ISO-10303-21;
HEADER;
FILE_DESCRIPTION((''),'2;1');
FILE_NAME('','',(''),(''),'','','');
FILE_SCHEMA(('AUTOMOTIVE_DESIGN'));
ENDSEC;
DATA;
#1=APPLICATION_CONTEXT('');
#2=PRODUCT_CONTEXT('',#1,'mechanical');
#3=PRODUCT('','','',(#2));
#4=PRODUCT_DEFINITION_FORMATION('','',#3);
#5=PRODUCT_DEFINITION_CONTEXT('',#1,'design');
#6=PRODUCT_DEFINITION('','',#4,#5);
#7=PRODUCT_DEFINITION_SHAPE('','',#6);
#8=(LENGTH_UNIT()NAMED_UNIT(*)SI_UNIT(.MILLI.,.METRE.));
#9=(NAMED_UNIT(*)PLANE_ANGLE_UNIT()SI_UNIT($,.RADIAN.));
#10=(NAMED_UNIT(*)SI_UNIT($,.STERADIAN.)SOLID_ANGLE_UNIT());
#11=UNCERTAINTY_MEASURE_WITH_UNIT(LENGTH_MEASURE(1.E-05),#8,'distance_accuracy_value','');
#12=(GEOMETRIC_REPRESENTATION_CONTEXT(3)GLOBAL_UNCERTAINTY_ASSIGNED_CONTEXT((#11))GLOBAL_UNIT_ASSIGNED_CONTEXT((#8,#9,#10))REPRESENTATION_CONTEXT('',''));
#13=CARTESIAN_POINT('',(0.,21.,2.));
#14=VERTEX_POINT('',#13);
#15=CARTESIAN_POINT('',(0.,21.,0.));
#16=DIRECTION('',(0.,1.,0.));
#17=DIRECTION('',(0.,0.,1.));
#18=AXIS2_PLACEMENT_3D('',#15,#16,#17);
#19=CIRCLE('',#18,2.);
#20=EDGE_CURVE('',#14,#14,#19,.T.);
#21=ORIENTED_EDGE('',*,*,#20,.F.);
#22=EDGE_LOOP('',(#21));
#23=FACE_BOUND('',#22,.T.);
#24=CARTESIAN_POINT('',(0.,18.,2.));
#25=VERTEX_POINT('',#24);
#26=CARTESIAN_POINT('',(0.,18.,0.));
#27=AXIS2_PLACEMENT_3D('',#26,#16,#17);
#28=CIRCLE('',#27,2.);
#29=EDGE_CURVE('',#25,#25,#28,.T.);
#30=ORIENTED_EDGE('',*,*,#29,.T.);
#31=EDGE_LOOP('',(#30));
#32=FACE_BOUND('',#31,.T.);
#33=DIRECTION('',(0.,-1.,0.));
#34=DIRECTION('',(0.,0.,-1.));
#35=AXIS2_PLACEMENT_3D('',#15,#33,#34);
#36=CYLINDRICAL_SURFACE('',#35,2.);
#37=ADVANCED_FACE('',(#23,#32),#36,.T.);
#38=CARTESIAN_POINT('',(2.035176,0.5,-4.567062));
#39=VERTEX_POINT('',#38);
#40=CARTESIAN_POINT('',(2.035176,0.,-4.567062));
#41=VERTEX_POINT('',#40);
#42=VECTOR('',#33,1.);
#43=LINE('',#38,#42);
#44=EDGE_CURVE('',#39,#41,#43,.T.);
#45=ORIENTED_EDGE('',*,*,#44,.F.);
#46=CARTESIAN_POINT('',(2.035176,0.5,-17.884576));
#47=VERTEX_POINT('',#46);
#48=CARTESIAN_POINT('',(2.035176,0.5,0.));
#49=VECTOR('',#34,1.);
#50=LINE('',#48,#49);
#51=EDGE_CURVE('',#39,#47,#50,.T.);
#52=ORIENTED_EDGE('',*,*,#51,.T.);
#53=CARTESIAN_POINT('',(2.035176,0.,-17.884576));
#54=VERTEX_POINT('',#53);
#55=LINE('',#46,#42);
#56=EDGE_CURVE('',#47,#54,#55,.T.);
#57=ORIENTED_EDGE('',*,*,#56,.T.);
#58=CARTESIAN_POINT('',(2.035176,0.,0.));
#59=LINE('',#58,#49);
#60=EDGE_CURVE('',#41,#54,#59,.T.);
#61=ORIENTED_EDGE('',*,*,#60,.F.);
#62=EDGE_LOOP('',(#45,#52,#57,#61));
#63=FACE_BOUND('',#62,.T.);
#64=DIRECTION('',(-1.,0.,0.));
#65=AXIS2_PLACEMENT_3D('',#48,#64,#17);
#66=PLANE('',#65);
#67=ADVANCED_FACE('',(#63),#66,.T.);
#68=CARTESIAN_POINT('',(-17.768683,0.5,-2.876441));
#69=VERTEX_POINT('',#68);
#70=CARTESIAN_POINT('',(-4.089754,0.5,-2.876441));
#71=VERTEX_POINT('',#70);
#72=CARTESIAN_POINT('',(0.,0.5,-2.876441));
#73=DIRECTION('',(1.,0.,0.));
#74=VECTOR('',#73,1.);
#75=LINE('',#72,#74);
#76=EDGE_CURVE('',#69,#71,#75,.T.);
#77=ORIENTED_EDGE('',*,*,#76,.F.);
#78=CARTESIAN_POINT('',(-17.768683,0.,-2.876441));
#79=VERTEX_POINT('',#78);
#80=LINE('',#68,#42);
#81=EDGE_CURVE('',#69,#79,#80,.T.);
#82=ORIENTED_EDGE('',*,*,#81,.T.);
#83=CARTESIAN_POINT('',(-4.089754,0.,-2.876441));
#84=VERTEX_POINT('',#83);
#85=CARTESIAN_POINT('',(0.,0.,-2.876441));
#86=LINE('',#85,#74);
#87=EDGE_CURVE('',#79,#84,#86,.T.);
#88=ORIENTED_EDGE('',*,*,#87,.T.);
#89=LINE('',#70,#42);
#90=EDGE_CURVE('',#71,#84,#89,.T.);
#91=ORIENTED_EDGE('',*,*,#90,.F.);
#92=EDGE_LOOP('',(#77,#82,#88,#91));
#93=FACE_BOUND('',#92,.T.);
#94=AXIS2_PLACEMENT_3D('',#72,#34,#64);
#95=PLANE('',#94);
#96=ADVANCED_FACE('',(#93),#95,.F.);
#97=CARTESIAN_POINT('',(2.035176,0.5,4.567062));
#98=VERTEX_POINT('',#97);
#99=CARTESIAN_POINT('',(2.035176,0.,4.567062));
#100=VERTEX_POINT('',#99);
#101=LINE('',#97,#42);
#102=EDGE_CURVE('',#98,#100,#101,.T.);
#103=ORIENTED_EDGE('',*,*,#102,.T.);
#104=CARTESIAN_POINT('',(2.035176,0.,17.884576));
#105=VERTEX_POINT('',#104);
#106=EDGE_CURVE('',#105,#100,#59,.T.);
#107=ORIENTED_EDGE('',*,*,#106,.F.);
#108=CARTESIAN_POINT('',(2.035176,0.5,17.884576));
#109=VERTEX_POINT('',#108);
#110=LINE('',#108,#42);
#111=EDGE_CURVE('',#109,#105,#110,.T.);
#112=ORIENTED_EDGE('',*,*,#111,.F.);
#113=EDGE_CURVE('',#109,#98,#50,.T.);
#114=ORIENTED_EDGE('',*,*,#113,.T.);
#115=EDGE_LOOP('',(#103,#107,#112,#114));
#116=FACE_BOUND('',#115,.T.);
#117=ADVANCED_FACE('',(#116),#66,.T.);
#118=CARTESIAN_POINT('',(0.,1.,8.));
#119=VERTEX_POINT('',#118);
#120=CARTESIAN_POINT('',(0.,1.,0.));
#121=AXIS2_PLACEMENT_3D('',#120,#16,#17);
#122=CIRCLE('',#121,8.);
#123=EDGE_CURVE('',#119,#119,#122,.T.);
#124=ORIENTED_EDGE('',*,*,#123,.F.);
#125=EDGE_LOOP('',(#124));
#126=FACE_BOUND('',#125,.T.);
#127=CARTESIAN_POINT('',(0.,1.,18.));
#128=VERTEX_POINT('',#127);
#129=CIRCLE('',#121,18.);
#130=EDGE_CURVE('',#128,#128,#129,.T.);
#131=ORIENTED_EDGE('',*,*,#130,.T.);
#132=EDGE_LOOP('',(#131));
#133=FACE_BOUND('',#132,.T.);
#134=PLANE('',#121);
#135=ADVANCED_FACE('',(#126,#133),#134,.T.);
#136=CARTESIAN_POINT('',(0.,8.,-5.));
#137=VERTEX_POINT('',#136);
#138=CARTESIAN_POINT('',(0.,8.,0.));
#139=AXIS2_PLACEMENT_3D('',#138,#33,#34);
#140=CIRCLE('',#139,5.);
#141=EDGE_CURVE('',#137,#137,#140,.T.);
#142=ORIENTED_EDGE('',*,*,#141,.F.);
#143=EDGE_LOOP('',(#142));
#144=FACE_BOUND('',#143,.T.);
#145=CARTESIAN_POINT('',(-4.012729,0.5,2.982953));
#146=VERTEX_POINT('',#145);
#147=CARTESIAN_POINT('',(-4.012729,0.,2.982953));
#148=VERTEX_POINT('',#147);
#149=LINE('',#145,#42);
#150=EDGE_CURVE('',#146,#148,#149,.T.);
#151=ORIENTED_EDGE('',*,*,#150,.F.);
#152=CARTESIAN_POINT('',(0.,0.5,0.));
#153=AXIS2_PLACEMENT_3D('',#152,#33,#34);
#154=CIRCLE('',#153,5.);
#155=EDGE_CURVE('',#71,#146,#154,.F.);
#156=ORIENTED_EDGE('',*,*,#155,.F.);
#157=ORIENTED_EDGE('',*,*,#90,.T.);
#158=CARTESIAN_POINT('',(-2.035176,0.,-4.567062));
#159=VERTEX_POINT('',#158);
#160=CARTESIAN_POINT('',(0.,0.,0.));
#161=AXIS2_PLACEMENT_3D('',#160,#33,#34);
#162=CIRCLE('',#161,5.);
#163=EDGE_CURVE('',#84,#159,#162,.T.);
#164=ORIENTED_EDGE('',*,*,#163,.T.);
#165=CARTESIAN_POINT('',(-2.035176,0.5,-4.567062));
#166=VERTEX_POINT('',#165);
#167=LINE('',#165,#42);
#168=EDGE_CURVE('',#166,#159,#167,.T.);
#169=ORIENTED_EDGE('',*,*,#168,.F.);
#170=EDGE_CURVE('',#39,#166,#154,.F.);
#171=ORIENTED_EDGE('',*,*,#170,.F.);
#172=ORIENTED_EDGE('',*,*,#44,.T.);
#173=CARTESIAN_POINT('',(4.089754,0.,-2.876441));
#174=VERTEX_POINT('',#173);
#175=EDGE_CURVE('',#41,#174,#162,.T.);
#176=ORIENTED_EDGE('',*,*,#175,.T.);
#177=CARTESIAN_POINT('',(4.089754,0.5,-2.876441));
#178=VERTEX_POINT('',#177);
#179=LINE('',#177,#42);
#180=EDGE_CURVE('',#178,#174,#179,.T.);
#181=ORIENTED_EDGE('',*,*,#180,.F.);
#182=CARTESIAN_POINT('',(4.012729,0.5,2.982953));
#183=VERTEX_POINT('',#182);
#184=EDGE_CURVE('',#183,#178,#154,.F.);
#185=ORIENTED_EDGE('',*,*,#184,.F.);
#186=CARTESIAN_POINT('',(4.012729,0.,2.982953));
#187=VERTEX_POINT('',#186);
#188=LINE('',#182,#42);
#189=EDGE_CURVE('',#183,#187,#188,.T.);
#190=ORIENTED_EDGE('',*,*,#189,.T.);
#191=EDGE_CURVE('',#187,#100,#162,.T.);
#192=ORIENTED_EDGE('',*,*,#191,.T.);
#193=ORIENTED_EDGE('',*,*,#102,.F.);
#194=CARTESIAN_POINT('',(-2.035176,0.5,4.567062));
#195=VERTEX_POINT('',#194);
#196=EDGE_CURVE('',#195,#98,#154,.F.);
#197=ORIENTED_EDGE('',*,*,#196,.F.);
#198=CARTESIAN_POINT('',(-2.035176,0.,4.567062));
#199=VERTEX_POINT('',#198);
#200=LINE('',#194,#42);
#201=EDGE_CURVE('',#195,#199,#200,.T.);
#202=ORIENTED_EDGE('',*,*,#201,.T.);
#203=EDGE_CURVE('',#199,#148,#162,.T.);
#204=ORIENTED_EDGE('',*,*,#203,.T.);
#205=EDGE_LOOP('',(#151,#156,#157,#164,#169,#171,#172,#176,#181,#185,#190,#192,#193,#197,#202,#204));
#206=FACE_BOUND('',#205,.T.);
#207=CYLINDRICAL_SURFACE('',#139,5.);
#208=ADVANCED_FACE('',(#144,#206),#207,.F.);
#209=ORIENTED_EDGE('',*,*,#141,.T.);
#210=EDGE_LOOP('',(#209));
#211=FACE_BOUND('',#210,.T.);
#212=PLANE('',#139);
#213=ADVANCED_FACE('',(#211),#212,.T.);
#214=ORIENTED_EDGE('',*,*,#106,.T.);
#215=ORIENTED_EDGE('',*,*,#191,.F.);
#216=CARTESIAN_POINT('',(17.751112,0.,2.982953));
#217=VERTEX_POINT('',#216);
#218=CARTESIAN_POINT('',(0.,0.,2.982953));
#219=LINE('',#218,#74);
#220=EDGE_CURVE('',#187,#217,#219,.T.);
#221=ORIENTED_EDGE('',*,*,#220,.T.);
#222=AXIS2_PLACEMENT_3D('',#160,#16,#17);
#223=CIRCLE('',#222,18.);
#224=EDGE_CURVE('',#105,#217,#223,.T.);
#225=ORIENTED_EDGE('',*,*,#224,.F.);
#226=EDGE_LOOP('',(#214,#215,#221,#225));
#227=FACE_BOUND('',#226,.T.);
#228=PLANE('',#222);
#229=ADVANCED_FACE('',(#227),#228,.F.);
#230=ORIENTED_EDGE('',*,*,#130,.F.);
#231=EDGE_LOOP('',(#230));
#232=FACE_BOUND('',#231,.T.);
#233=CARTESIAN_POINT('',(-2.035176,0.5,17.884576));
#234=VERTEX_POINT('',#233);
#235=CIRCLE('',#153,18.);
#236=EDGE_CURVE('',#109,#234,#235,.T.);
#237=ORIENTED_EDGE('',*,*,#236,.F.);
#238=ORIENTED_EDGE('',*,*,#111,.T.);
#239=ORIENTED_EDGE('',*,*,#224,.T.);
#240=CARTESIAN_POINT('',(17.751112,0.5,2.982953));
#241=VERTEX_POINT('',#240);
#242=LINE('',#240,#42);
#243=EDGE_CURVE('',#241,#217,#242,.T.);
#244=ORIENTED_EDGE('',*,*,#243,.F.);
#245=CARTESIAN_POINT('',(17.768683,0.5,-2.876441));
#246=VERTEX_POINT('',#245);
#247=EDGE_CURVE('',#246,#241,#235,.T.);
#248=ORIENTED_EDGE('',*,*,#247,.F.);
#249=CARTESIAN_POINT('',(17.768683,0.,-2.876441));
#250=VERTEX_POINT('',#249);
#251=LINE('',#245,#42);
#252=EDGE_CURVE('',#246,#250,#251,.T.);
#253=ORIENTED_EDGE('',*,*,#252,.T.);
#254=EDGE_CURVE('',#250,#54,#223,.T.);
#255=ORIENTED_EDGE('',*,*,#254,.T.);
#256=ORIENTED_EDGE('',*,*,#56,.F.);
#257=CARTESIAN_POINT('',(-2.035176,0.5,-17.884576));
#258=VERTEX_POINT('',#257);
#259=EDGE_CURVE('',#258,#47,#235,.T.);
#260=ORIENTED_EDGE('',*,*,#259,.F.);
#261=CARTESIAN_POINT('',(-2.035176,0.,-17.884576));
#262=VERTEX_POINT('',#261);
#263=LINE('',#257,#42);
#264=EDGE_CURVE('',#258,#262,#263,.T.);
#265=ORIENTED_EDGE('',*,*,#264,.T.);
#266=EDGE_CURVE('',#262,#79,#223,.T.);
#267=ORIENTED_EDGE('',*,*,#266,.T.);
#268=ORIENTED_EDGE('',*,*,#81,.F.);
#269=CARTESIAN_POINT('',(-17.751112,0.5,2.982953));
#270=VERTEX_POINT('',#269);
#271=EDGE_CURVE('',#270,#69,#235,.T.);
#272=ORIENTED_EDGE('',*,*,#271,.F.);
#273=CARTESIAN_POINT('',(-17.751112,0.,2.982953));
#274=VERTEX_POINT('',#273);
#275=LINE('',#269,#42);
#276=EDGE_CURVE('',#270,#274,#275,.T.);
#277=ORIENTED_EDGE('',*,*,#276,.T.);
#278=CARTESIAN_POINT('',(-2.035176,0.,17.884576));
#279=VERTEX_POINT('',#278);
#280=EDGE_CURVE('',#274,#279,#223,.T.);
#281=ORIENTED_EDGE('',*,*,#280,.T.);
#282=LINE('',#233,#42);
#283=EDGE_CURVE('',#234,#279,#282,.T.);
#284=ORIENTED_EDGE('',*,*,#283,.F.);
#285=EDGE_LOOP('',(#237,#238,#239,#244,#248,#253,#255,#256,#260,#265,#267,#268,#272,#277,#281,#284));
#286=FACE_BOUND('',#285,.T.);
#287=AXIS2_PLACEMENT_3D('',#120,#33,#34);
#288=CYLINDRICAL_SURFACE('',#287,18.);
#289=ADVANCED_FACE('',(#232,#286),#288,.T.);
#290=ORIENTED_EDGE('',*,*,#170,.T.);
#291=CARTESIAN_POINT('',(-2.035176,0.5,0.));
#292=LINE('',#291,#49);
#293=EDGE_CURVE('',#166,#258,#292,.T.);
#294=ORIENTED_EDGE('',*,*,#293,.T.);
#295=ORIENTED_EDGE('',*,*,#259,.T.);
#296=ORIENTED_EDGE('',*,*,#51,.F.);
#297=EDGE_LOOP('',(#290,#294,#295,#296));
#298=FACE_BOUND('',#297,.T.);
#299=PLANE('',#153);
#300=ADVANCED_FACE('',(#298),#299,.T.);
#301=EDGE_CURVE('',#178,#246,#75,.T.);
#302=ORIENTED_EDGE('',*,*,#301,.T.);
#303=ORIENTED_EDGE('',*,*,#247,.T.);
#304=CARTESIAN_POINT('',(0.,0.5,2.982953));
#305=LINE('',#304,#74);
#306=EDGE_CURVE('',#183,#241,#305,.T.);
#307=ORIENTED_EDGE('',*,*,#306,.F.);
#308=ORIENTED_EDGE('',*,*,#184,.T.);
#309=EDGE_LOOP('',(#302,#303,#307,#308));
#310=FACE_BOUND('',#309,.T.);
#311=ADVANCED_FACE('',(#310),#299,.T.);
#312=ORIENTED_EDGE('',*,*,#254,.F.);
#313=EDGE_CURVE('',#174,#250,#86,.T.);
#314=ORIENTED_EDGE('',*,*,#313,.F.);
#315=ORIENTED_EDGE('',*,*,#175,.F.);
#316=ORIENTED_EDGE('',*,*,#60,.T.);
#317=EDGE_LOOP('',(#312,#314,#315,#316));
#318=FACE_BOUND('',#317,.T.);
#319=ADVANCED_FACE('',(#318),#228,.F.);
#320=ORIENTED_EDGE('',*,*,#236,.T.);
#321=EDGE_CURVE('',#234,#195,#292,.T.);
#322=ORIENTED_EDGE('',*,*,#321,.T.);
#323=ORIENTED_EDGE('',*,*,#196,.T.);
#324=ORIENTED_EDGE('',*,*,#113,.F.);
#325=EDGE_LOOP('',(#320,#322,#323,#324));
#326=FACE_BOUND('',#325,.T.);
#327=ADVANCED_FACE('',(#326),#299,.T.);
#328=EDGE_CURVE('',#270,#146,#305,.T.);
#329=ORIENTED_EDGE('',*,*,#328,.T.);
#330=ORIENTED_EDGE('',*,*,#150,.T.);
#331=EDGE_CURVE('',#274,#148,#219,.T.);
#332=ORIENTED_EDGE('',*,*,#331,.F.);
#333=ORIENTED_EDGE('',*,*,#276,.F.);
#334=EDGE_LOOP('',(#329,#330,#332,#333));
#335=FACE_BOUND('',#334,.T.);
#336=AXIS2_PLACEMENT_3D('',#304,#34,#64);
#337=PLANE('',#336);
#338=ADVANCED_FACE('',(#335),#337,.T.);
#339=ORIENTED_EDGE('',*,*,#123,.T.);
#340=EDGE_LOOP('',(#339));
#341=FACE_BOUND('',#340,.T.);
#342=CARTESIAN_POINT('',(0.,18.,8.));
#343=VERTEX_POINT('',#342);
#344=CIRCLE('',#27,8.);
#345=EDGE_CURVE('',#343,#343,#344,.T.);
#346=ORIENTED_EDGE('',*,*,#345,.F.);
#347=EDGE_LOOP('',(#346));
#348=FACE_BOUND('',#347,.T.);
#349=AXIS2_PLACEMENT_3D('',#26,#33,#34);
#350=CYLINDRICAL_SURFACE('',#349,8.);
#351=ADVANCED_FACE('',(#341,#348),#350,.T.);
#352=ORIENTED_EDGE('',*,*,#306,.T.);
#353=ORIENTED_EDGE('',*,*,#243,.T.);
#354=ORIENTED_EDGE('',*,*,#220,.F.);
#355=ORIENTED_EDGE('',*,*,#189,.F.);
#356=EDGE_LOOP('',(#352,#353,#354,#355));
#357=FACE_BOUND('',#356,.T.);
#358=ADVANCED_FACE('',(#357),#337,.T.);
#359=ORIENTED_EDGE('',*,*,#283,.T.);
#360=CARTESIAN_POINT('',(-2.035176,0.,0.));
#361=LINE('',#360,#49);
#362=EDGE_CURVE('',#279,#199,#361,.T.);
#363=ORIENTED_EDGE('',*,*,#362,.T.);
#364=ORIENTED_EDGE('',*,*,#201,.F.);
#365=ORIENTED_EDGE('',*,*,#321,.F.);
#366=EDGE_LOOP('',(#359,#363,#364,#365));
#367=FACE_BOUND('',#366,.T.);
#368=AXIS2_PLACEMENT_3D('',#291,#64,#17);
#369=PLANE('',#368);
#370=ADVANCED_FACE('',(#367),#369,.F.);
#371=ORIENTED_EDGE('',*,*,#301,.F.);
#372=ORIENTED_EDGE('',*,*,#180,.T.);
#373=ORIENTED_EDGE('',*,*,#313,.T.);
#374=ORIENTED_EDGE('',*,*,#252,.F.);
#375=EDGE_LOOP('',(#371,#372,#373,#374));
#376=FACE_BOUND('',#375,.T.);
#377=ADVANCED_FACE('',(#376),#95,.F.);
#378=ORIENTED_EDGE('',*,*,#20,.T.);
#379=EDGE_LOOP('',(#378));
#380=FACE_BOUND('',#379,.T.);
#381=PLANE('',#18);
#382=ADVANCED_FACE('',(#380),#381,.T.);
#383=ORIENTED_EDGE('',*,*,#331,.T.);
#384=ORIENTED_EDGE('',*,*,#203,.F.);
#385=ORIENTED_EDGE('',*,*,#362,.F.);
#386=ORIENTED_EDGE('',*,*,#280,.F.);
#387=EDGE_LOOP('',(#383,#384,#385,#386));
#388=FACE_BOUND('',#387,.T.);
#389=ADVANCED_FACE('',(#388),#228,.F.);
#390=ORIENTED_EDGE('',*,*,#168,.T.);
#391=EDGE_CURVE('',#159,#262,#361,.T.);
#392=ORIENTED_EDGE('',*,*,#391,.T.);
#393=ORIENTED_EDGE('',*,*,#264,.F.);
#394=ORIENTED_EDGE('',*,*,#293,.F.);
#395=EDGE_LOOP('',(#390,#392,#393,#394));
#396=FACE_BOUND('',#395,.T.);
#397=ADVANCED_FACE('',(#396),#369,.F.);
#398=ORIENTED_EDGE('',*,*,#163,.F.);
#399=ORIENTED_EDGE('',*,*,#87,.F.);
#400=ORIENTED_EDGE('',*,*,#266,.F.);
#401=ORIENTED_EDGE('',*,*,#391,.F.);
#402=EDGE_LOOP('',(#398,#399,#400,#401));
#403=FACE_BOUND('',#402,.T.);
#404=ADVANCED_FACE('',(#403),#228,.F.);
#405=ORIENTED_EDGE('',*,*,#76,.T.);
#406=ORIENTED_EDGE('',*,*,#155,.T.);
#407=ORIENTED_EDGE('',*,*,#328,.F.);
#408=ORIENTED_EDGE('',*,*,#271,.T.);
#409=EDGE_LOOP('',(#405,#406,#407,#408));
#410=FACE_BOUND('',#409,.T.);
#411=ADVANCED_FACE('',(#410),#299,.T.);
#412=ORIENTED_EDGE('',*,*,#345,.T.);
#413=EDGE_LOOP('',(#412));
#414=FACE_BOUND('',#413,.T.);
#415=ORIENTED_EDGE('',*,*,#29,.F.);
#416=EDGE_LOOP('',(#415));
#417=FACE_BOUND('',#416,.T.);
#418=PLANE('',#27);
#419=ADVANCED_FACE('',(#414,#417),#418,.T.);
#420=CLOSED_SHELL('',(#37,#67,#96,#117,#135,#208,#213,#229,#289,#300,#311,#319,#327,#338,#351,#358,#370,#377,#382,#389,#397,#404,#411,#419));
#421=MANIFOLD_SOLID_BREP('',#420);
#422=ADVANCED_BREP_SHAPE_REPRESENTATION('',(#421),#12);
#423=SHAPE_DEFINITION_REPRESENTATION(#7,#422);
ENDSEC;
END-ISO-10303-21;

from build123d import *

# Parameters (mm, degrees)
SKETCH_1_R          = 18
EXTRUDE_1_DEPTH     = 1
SKETCH_2_R          = 8
EXTRUDE_2_DEPTH     = 17
SKETCH_3_R          = 2
EXTRUDE_3_DEPTH     = 3
SKETCH_4_R          = 5
CUT_EXTRUDE_1_DEPTH = 8
SKETCH_5_W          = 4.070351758
SKETCH_5_H          = 5.859394111
CUT_EXTRUDE_2_DEPTH = 0.5


with BuildPart() as part:
    # Эскиз1 → Бобышка-Вытянуть1 (new body)
    with BuildSketch(Plane(origin=(0, 0, 0), x_dir=(1, 0, 0), z_dir=(0, 1, 0))):
        with Locations(Location((0, 0, 0), (0, 0, 270))):
            Circle(SKETCH_1_R)
    extrude(amount=EXTRUDE_1_DEPTH)

    # Эскиз2 → Бобышка-Вытянуть2 (add)
    with BuildSketch(Plane(origin=(0, 1, 0), x_dir=(1, 0, 0), z_dir=(0, 1, 0))):
        with Locations(Location((0, 0, 0), (0, 0, 270))):
            Circle(SKETCH_2_R)
    extrude(amount=EXTRUDE_2_DEPTH)

    # Эскиз3 → Бобышка-Вытянуть3 (add)
    with BuildSketch(Plane(origin=(0, 18, 0), x_dir=(1, 0, 0), z_dir=(0, 1, 0))):
        with Locations(Location((0, 0, 0), (0, 0, 270))):
            Circle(SKETCH_3_R)
    extrude(amount=EXTRUDE_3_DEPTH)

    # Эскиз4 → Вырез-Вытянуть1 (cut)
    with BuildSketch(Plane.XZ):
        with Locations(Location((0, 0, 0), (0, 0, 270))):
            Circle(SKETCH_4_R)
    extrude(amount=-CUT_EXTRUDE_1_DEPTH, mode=Mode.SUBTRACT)

    # Эскиз5 → Вырез-Вытянуть2 (cut)
    with BuildSketch(Plane.XZ):
        with BuildLine():
            Line((-4.012728592, 2.982953109), (-17.751112381, 2.982953109))
            ThreePointArc((-17.751112381, 2.982953109), (-17.937670178, 1.496659138), (-18, 0))
            ThreePointArc((-18, 0), (-17.942077496, -1.442863516), (-17.768682764, -2.876441002))
            Line((-17.768682764, -2.876441002), (-4.089753924, -2.876441002))
            ThreePointArc((-4.089753924, -2.876441002), (-4.999568038, 0.065722391), (-4.012728592, 2.982953109))
        make_face()
        with BuildLine():
            ThreePointArc((18, 0), (17.937670178, 1.496659138), (17.751112381, 2.982953109))
            Line((17.751112381, 2.982953109), (4.012728592, 2.982953109))
            ThreePointArc((4.012728592, 2.982953109), (4.746769584, 1.571043768), (5, 0))
            ThreePointArc((5, 0), (4.767010049, -1.508514232), (4.089753924, -2.876441002))
            Line((4.089753924, -2.876441002), (17.768682764, -2.876441002))
            ThreePointArc((17.768682764, -2.876441002), (17.942077496, -1.442863516), (18, 0))
        make_face()
        with BuildLine():
            Line((-2.035175879, -2.876441002), (-2.035175879, 2.982953109))
            Line((-2.035175879, 2.982953109), (-4.012728592, 2.982953109))
            ThreePointArc((-4.012728592, 2.982953109), (-4.999568038, 0.065722391), (-4.089753924, -2.876441002))
            Line((-4.089753924, -2.876441002), (-2.035175879, -2.876441002))
        make_face()
        with BuildLine():
            Line((4.012728592, 2.982953109), (2.035175879, 2.982953109))
            Line((2.035175879, 2.982953109), (2.035175879, -2.876441002))
            Line((2.035175879, -2.876441002), (4.089753924, -2.876441002))
            ThreePointArc((4.089753924, -2.876441002), (4.767010049, -1.508514232), (5, 0))
            ThreePointArc((5, 0), (4.746769584, 1.571043768), (4.012728592, 2.982953109))
        make_face()
        with BuildLine():
            ThreePointArc((4.012728592, 2.982953109), (3.125961884, 3.902353431), (2.035175879, 4.567062419))
            Line((2.035175879, 4.567062419), (2.035175879, 2.982953109))
            Line((2.035175879, 2.982953109), (4.012728592, 2.982953109))
        make_face()
        with BuildLine():
            ThreePointArc((2.035175879, 4.567062419), (0, 5), (-2.035175879, 4.567062419))
            Line((-2.035175879, 4.567062419), (-2.035175879, 2.982953109))
            Line((-2.035175879, 2.982953109), (2.035175879, 2.982953109))
            Line((2.035175879, 2.982953109), (2.035175879, 4.567062419))
        make_face()
        with BuildLine():
            ThreePointArc((2.035175879, 17.884576012), (1.019223179, 17.971120836), (0, 18))
            ThreePointArc((0, 18), (-1.019223179, 17.971120836), (-2.035175879, 17.884576012))
            Line((-2.035175879, 17.884576012), (-2.035175879, 4.567062419))
            ThreePointArc((-2.035175879, 4.567062419), (0, 5), (2.035175879, 4.567062419))
            Line((2.035175879, 4.567062419), (2.035175879, 17.884576012))
        make_face()
        with BuildLine():
            ThreePointArc((2.035175879, -4.567062419), (0, -5), (-2.035175879, -4.567062419))
            Line((-2.035175879, -4.567062419), (-2.035175879, -17.884576012))
            ThreePointArc((-2.035175879, -17.884576012), (-1.019223179, -17.971120836), (0, -18))
            ThreePointArc((0, -18), (1.019223179, -17.971120836), (2.035175879, -17.884576012))
            Line((2.035175879, -17.884576012), (2.035175879, -4.567062419))
        make_face()
        with Locations((0, 0.053256054)):
            Rectangle(SKETCH_5_W, SKETCH_5_H)
        with BuildLine():
            Line((4.089753924, -2.876441002), (2.035175879, -2.876441002))
            Line((2.035175879, -2.876441002), (2.035175879, -4.567062419))
            ThreePointArc((2.035175879, -4.567062419), (3.176986224, -3.86092716), (4.089753924, -2.876441002))
        make_face()
        with BuildLine():
            Line((2.035175879, -2.876441002), (-2.035175879, -2.876441002))
            Line((-2.035175879, -2.876441002), (-2.035175879, -4.567062419))
            ThreePointArc((-2.035175879, -4.567062419), (0, -5), (2.035175879, -4.567062419))
            Line((2.035175879, -4.567062419), (2.035175879, -2.876441002))
        make_face()
        with BuildLine():
            Line((-2.035175879, -4.567062419), (-2.035175879, -2.876441002))
            Line((-2.035175879, -2.876441002), (-4.089753924, -2.876441002))
            ThreePointArc((-4.089753924, -2.876441002), (-3.176986224, -3.86092716), (-2.035175879, -4.567062419))
        make_face()
        with BuildLine():
            Line((-2.035175879, 2.982953109), (-2.035175879, 4.567062419))
            ThreePointArc((-2.035175879, 4.567062419), (-3.125961884, 3.902353431), (-4.012728592, 2.982953109))
            Line((-4.012728592, 2.982953109), (-2.035175879, 2.982953109))
        make_face()
    extrude(amount=-CUT_EXTRUDE_2_DEPTH, mode=Mode.SUBTRACT)


solid = part.part
